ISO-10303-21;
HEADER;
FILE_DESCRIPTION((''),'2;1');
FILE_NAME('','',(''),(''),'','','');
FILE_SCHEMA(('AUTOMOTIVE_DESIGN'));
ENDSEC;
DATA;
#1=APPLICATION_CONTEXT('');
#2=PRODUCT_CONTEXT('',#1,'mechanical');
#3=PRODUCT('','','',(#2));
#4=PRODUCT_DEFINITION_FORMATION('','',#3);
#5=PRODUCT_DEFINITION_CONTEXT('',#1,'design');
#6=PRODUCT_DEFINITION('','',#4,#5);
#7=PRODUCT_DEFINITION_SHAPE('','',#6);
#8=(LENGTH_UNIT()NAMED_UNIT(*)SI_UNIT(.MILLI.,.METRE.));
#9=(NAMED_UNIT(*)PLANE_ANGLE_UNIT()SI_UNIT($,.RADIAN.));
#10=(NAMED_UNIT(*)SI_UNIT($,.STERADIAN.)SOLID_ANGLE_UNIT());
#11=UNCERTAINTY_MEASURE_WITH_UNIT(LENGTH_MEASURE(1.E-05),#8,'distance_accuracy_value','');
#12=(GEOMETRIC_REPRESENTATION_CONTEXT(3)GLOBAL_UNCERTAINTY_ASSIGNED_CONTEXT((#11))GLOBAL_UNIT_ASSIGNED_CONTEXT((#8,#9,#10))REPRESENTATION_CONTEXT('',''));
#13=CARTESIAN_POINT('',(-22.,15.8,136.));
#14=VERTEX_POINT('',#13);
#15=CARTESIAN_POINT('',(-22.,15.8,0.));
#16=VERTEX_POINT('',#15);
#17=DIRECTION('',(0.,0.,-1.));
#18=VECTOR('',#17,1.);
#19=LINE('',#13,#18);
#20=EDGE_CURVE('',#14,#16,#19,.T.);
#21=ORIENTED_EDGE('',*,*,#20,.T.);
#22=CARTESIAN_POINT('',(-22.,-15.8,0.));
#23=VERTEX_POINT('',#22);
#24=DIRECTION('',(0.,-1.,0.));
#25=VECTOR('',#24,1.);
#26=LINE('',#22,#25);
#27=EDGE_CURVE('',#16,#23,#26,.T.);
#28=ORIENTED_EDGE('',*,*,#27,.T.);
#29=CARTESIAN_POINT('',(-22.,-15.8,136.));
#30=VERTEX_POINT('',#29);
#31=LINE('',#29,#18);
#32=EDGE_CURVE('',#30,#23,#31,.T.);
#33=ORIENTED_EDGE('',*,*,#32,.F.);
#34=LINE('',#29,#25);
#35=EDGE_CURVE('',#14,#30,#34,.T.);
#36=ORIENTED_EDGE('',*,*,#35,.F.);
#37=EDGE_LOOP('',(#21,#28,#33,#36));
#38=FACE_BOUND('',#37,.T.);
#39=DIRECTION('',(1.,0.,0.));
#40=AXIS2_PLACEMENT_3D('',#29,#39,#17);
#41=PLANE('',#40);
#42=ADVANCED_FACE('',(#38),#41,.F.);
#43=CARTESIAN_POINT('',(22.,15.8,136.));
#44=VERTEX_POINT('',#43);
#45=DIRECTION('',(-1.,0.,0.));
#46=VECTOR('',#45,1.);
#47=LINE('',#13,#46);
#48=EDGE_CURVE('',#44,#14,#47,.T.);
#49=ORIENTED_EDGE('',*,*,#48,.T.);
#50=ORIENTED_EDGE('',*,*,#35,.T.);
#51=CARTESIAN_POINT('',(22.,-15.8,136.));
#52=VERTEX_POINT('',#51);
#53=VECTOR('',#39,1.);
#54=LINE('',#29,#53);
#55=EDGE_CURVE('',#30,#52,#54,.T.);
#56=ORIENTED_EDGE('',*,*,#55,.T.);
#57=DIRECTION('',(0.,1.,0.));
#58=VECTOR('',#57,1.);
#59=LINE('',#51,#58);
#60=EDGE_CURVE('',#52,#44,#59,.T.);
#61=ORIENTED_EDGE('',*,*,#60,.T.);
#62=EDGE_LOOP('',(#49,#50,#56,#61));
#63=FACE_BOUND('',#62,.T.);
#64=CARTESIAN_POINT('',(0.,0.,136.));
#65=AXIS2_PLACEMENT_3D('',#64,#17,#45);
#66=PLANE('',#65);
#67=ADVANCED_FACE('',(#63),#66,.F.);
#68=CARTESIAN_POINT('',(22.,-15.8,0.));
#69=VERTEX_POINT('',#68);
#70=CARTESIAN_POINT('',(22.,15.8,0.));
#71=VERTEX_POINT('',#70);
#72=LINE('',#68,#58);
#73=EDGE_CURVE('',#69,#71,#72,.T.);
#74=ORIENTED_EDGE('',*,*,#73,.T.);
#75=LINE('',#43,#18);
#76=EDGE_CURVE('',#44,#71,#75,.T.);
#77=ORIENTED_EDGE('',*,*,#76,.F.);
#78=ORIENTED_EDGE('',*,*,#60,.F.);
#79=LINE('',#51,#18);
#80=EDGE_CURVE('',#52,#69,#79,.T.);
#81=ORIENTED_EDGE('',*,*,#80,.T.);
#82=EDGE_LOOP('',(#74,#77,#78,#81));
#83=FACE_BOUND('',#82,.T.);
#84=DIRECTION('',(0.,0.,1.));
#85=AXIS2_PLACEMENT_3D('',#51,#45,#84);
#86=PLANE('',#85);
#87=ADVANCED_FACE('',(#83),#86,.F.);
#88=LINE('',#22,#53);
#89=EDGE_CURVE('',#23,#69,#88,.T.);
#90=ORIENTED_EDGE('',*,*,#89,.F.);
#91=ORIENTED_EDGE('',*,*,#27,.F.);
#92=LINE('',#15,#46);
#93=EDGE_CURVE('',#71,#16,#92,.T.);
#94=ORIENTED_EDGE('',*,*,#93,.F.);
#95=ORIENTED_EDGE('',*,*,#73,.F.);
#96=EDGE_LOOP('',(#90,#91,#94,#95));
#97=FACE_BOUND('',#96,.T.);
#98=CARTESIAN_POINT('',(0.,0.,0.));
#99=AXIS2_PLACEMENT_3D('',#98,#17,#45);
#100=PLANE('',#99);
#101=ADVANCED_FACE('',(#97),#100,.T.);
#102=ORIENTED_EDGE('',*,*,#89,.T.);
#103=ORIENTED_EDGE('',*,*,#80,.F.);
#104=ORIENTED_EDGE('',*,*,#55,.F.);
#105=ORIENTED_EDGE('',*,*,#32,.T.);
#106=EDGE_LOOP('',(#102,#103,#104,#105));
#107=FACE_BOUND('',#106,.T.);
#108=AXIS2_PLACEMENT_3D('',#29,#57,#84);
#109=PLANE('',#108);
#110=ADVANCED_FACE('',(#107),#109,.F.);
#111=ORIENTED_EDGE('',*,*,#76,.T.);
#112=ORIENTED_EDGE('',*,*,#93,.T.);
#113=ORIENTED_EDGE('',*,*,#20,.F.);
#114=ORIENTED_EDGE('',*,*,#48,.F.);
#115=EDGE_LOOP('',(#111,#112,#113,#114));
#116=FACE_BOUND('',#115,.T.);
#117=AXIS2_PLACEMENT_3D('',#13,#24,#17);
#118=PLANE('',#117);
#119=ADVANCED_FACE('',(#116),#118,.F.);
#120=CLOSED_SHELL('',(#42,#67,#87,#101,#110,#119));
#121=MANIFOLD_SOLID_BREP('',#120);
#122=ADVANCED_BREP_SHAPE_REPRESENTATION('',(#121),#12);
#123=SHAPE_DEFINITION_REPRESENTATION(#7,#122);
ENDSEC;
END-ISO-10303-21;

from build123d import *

# Parameters (mm, degrees)
SKETCH1_W           = 44
SKETCH1_H           = 31.6
BOSS_EXTRUDE1_DEPTH = 136


with BuildPart() as part:
    # Sketch1 → Boss-Extrude1 (new body)
    with BuildSketch(Plane.XY):
        Rectangle(SKETCH1_W, SKETCH1_H)
    extrude(amount=BOSS_EXTRUDE1_DEPTH)


solid = part.part
